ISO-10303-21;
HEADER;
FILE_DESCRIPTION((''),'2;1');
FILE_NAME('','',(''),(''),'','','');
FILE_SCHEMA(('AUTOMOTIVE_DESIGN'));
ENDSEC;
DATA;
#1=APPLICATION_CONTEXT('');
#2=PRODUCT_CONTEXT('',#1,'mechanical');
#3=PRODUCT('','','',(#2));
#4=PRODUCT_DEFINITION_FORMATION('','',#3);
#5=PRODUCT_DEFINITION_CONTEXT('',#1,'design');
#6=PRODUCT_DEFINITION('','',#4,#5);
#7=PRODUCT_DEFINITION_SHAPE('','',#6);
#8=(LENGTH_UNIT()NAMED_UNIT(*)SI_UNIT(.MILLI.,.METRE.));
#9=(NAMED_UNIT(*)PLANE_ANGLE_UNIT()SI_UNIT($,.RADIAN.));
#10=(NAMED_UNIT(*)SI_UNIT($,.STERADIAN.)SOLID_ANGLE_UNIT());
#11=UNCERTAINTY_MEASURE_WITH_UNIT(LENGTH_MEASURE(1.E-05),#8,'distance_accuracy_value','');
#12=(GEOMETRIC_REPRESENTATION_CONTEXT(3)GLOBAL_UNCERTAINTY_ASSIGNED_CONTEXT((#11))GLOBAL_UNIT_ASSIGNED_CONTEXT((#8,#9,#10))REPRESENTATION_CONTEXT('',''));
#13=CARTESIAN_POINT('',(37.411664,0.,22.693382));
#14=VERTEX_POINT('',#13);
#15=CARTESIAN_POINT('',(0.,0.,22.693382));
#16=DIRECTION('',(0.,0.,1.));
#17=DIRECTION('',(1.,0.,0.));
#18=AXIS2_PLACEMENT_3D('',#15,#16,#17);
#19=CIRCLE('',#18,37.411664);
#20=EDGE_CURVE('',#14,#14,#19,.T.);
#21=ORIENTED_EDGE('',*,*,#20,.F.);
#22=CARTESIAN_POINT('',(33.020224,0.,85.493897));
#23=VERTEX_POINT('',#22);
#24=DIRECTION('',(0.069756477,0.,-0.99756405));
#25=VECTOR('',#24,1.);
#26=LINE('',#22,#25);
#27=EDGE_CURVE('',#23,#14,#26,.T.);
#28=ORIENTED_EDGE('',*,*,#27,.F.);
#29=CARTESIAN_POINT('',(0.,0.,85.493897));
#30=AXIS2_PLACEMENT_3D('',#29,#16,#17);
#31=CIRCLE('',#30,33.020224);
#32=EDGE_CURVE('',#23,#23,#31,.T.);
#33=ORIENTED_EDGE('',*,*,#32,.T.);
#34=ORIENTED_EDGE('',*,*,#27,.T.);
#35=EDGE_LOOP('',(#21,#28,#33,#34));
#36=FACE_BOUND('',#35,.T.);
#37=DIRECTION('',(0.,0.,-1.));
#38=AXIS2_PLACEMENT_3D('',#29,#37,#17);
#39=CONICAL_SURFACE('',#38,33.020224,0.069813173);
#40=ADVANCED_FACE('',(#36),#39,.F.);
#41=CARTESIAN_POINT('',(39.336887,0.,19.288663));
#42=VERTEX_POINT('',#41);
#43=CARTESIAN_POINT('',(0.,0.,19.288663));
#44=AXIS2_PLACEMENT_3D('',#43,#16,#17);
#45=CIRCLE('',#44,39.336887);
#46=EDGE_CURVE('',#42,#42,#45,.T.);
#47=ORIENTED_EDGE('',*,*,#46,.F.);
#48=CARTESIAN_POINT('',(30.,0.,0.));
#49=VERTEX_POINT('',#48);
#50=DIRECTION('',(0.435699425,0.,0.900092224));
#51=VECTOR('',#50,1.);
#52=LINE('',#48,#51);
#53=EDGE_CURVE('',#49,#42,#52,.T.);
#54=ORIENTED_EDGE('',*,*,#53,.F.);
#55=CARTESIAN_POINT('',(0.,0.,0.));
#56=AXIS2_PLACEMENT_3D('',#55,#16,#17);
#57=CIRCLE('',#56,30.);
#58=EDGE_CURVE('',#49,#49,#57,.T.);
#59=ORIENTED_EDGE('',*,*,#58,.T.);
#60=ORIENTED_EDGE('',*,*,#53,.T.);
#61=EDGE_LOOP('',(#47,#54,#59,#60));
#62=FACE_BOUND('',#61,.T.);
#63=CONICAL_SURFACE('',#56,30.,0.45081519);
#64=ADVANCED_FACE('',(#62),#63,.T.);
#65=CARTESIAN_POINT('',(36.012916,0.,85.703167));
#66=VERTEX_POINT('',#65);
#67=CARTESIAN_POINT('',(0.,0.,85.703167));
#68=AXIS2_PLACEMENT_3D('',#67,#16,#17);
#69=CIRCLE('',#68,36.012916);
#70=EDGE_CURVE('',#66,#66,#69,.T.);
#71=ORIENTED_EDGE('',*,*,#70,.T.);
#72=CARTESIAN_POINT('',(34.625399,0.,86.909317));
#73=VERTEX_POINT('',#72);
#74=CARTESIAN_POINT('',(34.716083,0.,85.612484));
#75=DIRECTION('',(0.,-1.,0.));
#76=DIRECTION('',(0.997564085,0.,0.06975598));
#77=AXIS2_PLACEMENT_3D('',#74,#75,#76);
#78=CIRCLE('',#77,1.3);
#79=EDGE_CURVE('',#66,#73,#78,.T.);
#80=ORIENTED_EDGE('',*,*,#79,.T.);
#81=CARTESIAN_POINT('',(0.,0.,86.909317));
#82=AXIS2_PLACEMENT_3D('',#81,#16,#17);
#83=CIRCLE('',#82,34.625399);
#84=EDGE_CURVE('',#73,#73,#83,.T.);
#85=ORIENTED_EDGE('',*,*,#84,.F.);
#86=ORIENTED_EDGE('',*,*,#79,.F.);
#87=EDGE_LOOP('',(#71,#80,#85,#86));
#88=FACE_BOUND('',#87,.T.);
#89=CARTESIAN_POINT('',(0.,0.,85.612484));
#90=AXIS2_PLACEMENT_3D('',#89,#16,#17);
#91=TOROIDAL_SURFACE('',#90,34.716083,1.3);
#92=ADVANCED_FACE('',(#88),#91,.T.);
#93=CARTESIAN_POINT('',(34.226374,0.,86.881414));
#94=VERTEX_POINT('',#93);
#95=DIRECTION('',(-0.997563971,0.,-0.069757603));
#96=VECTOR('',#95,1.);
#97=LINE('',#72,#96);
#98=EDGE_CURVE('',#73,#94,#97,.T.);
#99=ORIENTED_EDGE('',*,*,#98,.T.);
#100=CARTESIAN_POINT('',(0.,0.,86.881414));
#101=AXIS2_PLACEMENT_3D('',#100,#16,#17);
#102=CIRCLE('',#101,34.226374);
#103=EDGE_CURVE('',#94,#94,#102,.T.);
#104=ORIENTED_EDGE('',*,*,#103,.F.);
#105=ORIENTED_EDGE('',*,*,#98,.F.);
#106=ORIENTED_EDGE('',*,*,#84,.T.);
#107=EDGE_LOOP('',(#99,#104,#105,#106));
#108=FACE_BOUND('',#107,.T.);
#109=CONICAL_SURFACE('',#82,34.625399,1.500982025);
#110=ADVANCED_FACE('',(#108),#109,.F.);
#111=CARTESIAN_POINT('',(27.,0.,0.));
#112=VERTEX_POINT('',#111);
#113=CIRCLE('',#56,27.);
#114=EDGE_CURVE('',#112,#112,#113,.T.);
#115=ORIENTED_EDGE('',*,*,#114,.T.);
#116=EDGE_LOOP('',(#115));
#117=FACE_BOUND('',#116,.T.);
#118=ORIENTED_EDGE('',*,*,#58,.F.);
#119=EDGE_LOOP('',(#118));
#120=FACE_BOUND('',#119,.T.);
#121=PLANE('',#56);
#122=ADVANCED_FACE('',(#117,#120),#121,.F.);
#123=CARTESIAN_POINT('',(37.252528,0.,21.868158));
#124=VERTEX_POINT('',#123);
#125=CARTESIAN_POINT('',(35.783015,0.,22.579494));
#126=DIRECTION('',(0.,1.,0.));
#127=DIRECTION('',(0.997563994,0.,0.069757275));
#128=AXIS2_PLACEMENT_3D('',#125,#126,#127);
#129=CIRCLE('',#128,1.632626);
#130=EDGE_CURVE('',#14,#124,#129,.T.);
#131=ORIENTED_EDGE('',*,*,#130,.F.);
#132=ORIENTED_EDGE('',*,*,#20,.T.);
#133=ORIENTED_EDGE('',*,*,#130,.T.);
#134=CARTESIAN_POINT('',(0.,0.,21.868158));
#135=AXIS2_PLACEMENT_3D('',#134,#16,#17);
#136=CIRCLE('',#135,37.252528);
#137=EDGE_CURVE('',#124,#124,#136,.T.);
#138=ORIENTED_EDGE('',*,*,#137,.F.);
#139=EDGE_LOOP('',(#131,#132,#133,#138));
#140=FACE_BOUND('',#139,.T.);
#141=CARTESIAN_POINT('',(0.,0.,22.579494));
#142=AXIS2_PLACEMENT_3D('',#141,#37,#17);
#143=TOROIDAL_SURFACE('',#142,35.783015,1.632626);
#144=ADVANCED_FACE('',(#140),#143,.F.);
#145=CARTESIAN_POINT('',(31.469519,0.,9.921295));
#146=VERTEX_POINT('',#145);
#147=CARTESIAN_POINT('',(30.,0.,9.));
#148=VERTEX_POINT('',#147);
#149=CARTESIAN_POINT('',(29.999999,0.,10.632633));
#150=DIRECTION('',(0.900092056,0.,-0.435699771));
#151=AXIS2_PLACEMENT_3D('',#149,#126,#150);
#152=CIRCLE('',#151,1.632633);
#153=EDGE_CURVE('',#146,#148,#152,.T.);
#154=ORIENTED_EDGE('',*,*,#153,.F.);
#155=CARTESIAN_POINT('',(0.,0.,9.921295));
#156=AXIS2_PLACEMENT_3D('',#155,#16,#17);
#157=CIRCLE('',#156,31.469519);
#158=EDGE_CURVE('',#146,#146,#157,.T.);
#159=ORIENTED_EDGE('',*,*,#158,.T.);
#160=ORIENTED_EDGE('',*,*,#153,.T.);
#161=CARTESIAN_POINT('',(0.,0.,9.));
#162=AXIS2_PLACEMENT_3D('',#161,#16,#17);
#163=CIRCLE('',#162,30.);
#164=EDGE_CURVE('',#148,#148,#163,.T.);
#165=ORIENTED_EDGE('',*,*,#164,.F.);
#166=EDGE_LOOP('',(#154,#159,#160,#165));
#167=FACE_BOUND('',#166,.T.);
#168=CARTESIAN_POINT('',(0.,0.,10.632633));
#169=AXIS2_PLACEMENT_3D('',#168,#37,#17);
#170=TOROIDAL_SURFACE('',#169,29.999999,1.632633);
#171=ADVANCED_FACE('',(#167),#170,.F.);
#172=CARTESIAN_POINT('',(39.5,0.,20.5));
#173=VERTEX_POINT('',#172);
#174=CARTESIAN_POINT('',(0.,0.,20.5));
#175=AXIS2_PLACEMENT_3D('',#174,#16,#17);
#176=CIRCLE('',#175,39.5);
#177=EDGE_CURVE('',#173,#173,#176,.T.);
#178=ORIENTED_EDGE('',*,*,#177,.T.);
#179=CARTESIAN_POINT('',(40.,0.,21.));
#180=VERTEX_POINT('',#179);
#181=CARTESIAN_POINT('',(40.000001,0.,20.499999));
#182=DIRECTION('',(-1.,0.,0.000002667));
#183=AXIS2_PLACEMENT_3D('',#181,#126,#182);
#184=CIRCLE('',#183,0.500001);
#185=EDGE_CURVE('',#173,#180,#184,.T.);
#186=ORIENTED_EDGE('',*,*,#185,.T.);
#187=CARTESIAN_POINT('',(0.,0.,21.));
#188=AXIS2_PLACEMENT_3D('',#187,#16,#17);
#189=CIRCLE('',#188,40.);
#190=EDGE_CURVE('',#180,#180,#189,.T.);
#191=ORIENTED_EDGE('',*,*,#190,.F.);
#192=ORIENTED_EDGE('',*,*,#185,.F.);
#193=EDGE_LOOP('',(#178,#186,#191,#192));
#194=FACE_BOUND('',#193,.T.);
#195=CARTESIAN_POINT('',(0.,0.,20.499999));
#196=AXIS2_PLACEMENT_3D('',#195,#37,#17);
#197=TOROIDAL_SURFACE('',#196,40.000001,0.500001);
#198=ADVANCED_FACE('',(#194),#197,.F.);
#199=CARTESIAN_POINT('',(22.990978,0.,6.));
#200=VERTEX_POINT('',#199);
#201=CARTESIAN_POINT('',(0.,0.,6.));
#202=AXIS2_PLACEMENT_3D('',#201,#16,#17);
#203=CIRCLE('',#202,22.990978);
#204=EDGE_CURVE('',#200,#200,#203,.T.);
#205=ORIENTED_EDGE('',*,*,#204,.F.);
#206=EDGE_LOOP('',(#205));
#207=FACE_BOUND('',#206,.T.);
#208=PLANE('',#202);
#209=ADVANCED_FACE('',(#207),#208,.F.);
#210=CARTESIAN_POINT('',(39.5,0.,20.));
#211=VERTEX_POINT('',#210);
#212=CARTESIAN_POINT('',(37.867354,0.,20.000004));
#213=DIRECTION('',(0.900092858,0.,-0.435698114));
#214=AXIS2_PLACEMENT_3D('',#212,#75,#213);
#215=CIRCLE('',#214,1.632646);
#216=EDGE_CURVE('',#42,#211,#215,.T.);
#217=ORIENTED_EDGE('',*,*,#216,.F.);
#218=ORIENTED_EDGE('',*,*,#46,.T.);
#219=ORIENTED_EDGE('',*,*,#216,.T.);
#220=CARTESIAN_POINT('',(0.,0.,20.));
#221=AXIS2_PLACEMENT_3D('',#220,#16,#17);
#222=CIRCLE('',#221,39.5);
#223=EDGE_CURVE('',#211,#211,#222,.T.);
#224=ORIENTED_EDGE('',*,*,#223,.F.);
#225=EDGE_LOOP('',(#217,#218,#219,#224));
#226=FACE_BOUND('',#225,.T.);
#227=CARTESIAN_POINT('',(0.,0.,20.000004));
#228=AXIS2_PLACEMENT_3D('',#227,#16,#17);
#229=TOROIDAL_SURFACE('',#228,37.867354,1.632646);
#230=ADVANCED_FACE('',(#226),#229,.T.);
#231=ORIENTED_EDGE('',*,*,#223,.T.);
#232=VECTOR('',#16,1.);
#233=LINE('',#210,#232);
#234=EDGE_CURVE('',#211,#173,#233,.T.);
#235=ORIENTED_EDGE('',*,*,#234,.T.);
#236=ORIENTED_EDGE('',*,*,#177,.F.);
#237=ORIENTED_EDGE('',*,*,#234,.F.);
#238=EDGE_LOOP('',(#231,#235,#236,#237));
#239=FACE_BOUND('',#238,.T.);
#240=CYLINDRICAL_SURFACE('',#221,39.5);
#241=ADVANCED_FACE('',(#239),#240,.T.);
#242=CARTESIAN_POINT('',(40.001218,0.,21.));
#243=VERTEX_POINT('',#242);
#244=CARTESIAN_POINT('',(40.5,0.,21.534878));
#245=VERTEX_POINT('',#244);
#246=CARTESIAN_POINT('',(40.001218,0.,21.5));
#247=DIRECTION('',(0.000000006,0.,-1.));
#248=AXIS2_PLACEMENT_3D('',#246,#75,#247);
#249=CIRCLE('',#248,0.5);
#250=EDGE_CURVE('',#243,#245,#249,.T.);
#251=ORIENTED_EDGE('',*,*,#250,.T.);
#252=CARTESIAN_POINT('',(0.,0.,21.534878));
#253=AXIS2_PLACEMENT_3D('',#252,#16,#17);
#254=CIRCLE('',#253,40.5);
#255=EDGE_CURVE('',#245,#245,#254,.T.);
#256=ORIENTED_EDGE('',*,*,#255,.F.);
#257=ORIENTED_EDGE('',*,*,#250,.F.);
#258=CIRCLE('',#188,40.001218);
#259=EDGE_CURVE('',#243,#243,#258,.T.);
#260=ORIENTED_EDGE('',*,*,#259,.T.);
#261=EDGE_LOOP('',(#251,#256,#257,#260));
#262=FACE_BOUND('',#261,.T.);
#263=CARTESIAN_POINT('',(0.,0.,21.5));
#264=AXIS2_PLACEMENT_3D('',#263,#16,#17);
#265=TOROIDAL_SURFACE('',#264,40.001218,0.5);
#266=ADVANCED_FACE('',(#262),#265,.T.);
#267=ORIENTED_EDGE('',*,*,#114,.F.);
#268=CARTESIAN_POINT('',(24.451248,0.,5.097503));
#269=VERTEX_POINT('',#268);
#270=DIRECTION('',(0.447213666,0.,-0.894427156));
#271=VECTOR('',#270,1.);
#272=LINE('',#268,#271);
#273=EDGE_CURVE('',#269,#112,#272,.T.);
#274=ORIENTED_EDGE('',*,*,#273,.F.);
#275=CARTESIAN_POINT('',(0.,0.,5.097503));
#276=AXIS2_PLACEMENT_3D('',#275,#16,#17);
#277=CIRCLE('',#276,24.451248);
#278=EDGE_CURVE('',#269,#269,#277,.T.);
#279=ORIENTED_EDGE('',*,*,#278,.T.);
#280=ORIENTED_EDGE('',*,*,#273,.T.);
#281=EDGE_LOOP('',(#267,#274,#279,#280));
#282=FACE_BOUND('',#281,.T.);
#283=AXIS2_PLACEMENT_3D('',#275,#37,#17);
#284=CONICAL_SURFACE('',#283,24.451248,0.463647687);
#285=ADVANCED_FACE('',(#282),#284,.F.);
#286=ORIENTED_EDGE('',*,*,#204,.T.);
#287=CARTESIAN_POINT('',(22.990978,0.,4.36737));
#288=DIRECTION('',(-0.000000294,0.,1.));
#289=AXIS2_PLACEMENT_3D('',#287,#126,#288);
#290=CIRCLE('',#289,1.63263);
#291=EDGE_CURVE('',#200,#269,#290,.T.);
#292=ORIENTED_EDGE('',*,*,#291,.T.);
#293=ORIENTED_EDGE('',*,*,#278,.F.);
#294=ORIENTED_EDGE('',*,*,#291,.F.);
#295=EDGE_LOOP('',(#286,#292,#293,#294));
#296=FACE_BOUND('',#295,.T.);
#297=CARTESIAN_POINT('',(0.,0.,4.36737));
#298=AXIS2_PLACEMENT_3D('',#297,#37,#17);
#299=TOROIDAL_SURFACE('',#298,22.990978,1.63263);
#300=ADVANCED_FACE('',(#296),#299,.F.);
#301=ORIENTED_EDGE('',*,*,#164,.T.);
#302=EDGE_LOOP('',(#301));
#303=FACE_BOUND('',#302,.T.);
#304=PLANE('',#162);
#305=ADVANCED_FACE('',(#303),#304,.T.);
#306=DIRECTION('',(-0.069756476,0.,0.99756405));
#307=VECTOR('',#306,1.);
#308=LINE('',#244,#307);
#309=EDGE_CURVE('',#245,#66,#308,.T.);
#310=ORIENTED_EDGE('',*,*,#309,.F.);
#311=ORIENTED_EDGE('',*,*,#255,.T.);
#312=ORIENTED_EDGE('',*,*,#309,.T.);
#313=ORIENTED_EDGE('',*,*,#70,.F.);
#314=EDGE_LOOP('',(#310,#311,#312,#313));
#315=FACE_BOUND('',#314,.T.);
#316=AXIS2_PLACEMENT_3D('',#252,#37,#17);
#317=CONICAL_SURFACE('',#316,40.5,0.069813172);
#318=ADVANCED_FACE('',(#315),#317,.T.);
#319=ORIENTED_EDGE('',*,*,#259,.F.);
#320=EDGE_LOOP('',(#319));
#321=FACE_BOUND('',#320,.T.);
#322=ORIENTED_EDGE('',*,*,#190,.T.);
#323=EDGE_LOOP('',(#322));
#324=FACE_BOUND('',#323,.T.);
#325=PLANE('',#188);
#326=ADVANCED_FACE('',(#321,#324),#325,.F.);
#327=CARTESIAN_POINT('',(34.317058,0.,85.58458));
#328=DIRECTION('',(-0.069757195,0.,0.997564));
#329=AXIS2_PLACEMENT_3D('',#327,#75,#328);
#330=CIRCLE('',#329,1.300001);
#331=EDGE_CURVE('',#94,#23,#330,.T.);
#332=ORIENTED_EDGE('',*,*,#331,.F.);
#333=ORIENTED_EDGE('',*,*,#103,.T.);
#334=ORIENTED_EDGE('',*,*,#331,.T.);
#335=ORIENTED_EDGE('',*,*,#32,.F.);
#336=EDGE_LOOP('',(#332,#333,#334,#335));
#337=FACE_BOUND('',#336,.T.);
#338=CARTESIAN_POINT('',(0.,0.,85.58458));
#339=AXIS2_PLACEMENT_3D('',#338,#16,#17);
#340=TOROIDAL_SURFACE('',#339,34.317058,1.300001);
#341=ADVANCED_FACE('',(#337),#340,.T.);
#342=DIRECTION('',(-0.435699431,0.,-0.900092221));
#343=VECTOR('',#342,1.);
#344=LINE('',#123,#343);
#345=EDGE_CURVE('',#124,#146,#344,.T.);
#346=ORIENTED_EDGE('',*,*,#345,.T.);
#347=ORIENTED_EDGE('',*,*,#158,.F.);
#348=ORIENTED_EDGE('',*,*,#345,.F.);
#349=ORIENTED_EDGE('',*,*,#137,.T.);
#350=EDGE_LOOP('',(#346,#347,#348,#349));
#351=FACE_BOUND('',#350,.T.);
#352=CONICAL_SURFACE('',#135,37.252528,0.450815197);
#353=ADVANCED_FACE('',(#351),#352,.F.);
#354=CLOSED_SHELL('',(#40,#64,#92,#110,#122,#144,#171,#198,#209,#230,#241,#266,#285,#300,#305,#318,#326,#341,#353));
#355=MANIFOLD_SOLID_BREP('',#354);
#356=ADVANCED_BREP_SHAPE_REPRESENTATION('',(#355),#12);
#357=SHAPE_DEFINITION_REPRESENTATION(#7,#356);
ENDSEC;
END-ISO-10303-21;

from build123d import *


with BuildPart() as f1:
    # F0 (on Front) → F1 (revolve)
    with BuildSketch(Plane.XZ):
        with BuildLine():
            Line((0, 9), (0, 6))
            Line((0, 6), (22.990978, 6))
            ThreePointArc((22.990978, 6), (23.849303, 5.756168), (24.451248, 5.097503))
            Line((24.451248, 5.097503), (27, 0))
            Line((27, 0), (30, 0))
            Line((30, 0), (39.336887, 19.288663))
            ThreePointArc((39.336887, 19.288663), (39.458699, 19.635101), (39.5, 20))
            Line((39.5, 20), (39.5, 20.5))
            ThreePointArc((39.5, 20.5), (39.646447, 20.853553), (40, 21))
            Line((40, 21), (40.001218, 21))
            ThreePointArc((40.001218, 21), (40.366895, 21.159001), (40.5, 21.534878))
            Line((40.5, 21.534878), (36.012916, 85.703167))
            ThreePointArc((36.012916, 85.703167), (35.56896, 86.593606), (34.625399, 86.909317))
            Line((34.625399, 86.909317), (34.226374, 86.881414))
            ThreePointArc((34.226374, 86.881414), (33.335935, 86.437457), (33.020224, 85.493897))
            Line((33.020224, 85.493897), (37.411664, 22.693382))
            ThreePointArc((37.411664, 22.693382), (37.386106, 22.270355), (37.252528, 21.868158))
            Line((37.252528, 21.868158), (31.469519, 9.921295))
            ThreePointArc((31.469519, 9.921295), (30.867218, 9.249368), (30, 9))
            Line((30, 9), (0, 9))
        make_face()
    revolve(axis=Axis((0, 0, 42.851583), (0, 0, 1)))


solid = f1.part
